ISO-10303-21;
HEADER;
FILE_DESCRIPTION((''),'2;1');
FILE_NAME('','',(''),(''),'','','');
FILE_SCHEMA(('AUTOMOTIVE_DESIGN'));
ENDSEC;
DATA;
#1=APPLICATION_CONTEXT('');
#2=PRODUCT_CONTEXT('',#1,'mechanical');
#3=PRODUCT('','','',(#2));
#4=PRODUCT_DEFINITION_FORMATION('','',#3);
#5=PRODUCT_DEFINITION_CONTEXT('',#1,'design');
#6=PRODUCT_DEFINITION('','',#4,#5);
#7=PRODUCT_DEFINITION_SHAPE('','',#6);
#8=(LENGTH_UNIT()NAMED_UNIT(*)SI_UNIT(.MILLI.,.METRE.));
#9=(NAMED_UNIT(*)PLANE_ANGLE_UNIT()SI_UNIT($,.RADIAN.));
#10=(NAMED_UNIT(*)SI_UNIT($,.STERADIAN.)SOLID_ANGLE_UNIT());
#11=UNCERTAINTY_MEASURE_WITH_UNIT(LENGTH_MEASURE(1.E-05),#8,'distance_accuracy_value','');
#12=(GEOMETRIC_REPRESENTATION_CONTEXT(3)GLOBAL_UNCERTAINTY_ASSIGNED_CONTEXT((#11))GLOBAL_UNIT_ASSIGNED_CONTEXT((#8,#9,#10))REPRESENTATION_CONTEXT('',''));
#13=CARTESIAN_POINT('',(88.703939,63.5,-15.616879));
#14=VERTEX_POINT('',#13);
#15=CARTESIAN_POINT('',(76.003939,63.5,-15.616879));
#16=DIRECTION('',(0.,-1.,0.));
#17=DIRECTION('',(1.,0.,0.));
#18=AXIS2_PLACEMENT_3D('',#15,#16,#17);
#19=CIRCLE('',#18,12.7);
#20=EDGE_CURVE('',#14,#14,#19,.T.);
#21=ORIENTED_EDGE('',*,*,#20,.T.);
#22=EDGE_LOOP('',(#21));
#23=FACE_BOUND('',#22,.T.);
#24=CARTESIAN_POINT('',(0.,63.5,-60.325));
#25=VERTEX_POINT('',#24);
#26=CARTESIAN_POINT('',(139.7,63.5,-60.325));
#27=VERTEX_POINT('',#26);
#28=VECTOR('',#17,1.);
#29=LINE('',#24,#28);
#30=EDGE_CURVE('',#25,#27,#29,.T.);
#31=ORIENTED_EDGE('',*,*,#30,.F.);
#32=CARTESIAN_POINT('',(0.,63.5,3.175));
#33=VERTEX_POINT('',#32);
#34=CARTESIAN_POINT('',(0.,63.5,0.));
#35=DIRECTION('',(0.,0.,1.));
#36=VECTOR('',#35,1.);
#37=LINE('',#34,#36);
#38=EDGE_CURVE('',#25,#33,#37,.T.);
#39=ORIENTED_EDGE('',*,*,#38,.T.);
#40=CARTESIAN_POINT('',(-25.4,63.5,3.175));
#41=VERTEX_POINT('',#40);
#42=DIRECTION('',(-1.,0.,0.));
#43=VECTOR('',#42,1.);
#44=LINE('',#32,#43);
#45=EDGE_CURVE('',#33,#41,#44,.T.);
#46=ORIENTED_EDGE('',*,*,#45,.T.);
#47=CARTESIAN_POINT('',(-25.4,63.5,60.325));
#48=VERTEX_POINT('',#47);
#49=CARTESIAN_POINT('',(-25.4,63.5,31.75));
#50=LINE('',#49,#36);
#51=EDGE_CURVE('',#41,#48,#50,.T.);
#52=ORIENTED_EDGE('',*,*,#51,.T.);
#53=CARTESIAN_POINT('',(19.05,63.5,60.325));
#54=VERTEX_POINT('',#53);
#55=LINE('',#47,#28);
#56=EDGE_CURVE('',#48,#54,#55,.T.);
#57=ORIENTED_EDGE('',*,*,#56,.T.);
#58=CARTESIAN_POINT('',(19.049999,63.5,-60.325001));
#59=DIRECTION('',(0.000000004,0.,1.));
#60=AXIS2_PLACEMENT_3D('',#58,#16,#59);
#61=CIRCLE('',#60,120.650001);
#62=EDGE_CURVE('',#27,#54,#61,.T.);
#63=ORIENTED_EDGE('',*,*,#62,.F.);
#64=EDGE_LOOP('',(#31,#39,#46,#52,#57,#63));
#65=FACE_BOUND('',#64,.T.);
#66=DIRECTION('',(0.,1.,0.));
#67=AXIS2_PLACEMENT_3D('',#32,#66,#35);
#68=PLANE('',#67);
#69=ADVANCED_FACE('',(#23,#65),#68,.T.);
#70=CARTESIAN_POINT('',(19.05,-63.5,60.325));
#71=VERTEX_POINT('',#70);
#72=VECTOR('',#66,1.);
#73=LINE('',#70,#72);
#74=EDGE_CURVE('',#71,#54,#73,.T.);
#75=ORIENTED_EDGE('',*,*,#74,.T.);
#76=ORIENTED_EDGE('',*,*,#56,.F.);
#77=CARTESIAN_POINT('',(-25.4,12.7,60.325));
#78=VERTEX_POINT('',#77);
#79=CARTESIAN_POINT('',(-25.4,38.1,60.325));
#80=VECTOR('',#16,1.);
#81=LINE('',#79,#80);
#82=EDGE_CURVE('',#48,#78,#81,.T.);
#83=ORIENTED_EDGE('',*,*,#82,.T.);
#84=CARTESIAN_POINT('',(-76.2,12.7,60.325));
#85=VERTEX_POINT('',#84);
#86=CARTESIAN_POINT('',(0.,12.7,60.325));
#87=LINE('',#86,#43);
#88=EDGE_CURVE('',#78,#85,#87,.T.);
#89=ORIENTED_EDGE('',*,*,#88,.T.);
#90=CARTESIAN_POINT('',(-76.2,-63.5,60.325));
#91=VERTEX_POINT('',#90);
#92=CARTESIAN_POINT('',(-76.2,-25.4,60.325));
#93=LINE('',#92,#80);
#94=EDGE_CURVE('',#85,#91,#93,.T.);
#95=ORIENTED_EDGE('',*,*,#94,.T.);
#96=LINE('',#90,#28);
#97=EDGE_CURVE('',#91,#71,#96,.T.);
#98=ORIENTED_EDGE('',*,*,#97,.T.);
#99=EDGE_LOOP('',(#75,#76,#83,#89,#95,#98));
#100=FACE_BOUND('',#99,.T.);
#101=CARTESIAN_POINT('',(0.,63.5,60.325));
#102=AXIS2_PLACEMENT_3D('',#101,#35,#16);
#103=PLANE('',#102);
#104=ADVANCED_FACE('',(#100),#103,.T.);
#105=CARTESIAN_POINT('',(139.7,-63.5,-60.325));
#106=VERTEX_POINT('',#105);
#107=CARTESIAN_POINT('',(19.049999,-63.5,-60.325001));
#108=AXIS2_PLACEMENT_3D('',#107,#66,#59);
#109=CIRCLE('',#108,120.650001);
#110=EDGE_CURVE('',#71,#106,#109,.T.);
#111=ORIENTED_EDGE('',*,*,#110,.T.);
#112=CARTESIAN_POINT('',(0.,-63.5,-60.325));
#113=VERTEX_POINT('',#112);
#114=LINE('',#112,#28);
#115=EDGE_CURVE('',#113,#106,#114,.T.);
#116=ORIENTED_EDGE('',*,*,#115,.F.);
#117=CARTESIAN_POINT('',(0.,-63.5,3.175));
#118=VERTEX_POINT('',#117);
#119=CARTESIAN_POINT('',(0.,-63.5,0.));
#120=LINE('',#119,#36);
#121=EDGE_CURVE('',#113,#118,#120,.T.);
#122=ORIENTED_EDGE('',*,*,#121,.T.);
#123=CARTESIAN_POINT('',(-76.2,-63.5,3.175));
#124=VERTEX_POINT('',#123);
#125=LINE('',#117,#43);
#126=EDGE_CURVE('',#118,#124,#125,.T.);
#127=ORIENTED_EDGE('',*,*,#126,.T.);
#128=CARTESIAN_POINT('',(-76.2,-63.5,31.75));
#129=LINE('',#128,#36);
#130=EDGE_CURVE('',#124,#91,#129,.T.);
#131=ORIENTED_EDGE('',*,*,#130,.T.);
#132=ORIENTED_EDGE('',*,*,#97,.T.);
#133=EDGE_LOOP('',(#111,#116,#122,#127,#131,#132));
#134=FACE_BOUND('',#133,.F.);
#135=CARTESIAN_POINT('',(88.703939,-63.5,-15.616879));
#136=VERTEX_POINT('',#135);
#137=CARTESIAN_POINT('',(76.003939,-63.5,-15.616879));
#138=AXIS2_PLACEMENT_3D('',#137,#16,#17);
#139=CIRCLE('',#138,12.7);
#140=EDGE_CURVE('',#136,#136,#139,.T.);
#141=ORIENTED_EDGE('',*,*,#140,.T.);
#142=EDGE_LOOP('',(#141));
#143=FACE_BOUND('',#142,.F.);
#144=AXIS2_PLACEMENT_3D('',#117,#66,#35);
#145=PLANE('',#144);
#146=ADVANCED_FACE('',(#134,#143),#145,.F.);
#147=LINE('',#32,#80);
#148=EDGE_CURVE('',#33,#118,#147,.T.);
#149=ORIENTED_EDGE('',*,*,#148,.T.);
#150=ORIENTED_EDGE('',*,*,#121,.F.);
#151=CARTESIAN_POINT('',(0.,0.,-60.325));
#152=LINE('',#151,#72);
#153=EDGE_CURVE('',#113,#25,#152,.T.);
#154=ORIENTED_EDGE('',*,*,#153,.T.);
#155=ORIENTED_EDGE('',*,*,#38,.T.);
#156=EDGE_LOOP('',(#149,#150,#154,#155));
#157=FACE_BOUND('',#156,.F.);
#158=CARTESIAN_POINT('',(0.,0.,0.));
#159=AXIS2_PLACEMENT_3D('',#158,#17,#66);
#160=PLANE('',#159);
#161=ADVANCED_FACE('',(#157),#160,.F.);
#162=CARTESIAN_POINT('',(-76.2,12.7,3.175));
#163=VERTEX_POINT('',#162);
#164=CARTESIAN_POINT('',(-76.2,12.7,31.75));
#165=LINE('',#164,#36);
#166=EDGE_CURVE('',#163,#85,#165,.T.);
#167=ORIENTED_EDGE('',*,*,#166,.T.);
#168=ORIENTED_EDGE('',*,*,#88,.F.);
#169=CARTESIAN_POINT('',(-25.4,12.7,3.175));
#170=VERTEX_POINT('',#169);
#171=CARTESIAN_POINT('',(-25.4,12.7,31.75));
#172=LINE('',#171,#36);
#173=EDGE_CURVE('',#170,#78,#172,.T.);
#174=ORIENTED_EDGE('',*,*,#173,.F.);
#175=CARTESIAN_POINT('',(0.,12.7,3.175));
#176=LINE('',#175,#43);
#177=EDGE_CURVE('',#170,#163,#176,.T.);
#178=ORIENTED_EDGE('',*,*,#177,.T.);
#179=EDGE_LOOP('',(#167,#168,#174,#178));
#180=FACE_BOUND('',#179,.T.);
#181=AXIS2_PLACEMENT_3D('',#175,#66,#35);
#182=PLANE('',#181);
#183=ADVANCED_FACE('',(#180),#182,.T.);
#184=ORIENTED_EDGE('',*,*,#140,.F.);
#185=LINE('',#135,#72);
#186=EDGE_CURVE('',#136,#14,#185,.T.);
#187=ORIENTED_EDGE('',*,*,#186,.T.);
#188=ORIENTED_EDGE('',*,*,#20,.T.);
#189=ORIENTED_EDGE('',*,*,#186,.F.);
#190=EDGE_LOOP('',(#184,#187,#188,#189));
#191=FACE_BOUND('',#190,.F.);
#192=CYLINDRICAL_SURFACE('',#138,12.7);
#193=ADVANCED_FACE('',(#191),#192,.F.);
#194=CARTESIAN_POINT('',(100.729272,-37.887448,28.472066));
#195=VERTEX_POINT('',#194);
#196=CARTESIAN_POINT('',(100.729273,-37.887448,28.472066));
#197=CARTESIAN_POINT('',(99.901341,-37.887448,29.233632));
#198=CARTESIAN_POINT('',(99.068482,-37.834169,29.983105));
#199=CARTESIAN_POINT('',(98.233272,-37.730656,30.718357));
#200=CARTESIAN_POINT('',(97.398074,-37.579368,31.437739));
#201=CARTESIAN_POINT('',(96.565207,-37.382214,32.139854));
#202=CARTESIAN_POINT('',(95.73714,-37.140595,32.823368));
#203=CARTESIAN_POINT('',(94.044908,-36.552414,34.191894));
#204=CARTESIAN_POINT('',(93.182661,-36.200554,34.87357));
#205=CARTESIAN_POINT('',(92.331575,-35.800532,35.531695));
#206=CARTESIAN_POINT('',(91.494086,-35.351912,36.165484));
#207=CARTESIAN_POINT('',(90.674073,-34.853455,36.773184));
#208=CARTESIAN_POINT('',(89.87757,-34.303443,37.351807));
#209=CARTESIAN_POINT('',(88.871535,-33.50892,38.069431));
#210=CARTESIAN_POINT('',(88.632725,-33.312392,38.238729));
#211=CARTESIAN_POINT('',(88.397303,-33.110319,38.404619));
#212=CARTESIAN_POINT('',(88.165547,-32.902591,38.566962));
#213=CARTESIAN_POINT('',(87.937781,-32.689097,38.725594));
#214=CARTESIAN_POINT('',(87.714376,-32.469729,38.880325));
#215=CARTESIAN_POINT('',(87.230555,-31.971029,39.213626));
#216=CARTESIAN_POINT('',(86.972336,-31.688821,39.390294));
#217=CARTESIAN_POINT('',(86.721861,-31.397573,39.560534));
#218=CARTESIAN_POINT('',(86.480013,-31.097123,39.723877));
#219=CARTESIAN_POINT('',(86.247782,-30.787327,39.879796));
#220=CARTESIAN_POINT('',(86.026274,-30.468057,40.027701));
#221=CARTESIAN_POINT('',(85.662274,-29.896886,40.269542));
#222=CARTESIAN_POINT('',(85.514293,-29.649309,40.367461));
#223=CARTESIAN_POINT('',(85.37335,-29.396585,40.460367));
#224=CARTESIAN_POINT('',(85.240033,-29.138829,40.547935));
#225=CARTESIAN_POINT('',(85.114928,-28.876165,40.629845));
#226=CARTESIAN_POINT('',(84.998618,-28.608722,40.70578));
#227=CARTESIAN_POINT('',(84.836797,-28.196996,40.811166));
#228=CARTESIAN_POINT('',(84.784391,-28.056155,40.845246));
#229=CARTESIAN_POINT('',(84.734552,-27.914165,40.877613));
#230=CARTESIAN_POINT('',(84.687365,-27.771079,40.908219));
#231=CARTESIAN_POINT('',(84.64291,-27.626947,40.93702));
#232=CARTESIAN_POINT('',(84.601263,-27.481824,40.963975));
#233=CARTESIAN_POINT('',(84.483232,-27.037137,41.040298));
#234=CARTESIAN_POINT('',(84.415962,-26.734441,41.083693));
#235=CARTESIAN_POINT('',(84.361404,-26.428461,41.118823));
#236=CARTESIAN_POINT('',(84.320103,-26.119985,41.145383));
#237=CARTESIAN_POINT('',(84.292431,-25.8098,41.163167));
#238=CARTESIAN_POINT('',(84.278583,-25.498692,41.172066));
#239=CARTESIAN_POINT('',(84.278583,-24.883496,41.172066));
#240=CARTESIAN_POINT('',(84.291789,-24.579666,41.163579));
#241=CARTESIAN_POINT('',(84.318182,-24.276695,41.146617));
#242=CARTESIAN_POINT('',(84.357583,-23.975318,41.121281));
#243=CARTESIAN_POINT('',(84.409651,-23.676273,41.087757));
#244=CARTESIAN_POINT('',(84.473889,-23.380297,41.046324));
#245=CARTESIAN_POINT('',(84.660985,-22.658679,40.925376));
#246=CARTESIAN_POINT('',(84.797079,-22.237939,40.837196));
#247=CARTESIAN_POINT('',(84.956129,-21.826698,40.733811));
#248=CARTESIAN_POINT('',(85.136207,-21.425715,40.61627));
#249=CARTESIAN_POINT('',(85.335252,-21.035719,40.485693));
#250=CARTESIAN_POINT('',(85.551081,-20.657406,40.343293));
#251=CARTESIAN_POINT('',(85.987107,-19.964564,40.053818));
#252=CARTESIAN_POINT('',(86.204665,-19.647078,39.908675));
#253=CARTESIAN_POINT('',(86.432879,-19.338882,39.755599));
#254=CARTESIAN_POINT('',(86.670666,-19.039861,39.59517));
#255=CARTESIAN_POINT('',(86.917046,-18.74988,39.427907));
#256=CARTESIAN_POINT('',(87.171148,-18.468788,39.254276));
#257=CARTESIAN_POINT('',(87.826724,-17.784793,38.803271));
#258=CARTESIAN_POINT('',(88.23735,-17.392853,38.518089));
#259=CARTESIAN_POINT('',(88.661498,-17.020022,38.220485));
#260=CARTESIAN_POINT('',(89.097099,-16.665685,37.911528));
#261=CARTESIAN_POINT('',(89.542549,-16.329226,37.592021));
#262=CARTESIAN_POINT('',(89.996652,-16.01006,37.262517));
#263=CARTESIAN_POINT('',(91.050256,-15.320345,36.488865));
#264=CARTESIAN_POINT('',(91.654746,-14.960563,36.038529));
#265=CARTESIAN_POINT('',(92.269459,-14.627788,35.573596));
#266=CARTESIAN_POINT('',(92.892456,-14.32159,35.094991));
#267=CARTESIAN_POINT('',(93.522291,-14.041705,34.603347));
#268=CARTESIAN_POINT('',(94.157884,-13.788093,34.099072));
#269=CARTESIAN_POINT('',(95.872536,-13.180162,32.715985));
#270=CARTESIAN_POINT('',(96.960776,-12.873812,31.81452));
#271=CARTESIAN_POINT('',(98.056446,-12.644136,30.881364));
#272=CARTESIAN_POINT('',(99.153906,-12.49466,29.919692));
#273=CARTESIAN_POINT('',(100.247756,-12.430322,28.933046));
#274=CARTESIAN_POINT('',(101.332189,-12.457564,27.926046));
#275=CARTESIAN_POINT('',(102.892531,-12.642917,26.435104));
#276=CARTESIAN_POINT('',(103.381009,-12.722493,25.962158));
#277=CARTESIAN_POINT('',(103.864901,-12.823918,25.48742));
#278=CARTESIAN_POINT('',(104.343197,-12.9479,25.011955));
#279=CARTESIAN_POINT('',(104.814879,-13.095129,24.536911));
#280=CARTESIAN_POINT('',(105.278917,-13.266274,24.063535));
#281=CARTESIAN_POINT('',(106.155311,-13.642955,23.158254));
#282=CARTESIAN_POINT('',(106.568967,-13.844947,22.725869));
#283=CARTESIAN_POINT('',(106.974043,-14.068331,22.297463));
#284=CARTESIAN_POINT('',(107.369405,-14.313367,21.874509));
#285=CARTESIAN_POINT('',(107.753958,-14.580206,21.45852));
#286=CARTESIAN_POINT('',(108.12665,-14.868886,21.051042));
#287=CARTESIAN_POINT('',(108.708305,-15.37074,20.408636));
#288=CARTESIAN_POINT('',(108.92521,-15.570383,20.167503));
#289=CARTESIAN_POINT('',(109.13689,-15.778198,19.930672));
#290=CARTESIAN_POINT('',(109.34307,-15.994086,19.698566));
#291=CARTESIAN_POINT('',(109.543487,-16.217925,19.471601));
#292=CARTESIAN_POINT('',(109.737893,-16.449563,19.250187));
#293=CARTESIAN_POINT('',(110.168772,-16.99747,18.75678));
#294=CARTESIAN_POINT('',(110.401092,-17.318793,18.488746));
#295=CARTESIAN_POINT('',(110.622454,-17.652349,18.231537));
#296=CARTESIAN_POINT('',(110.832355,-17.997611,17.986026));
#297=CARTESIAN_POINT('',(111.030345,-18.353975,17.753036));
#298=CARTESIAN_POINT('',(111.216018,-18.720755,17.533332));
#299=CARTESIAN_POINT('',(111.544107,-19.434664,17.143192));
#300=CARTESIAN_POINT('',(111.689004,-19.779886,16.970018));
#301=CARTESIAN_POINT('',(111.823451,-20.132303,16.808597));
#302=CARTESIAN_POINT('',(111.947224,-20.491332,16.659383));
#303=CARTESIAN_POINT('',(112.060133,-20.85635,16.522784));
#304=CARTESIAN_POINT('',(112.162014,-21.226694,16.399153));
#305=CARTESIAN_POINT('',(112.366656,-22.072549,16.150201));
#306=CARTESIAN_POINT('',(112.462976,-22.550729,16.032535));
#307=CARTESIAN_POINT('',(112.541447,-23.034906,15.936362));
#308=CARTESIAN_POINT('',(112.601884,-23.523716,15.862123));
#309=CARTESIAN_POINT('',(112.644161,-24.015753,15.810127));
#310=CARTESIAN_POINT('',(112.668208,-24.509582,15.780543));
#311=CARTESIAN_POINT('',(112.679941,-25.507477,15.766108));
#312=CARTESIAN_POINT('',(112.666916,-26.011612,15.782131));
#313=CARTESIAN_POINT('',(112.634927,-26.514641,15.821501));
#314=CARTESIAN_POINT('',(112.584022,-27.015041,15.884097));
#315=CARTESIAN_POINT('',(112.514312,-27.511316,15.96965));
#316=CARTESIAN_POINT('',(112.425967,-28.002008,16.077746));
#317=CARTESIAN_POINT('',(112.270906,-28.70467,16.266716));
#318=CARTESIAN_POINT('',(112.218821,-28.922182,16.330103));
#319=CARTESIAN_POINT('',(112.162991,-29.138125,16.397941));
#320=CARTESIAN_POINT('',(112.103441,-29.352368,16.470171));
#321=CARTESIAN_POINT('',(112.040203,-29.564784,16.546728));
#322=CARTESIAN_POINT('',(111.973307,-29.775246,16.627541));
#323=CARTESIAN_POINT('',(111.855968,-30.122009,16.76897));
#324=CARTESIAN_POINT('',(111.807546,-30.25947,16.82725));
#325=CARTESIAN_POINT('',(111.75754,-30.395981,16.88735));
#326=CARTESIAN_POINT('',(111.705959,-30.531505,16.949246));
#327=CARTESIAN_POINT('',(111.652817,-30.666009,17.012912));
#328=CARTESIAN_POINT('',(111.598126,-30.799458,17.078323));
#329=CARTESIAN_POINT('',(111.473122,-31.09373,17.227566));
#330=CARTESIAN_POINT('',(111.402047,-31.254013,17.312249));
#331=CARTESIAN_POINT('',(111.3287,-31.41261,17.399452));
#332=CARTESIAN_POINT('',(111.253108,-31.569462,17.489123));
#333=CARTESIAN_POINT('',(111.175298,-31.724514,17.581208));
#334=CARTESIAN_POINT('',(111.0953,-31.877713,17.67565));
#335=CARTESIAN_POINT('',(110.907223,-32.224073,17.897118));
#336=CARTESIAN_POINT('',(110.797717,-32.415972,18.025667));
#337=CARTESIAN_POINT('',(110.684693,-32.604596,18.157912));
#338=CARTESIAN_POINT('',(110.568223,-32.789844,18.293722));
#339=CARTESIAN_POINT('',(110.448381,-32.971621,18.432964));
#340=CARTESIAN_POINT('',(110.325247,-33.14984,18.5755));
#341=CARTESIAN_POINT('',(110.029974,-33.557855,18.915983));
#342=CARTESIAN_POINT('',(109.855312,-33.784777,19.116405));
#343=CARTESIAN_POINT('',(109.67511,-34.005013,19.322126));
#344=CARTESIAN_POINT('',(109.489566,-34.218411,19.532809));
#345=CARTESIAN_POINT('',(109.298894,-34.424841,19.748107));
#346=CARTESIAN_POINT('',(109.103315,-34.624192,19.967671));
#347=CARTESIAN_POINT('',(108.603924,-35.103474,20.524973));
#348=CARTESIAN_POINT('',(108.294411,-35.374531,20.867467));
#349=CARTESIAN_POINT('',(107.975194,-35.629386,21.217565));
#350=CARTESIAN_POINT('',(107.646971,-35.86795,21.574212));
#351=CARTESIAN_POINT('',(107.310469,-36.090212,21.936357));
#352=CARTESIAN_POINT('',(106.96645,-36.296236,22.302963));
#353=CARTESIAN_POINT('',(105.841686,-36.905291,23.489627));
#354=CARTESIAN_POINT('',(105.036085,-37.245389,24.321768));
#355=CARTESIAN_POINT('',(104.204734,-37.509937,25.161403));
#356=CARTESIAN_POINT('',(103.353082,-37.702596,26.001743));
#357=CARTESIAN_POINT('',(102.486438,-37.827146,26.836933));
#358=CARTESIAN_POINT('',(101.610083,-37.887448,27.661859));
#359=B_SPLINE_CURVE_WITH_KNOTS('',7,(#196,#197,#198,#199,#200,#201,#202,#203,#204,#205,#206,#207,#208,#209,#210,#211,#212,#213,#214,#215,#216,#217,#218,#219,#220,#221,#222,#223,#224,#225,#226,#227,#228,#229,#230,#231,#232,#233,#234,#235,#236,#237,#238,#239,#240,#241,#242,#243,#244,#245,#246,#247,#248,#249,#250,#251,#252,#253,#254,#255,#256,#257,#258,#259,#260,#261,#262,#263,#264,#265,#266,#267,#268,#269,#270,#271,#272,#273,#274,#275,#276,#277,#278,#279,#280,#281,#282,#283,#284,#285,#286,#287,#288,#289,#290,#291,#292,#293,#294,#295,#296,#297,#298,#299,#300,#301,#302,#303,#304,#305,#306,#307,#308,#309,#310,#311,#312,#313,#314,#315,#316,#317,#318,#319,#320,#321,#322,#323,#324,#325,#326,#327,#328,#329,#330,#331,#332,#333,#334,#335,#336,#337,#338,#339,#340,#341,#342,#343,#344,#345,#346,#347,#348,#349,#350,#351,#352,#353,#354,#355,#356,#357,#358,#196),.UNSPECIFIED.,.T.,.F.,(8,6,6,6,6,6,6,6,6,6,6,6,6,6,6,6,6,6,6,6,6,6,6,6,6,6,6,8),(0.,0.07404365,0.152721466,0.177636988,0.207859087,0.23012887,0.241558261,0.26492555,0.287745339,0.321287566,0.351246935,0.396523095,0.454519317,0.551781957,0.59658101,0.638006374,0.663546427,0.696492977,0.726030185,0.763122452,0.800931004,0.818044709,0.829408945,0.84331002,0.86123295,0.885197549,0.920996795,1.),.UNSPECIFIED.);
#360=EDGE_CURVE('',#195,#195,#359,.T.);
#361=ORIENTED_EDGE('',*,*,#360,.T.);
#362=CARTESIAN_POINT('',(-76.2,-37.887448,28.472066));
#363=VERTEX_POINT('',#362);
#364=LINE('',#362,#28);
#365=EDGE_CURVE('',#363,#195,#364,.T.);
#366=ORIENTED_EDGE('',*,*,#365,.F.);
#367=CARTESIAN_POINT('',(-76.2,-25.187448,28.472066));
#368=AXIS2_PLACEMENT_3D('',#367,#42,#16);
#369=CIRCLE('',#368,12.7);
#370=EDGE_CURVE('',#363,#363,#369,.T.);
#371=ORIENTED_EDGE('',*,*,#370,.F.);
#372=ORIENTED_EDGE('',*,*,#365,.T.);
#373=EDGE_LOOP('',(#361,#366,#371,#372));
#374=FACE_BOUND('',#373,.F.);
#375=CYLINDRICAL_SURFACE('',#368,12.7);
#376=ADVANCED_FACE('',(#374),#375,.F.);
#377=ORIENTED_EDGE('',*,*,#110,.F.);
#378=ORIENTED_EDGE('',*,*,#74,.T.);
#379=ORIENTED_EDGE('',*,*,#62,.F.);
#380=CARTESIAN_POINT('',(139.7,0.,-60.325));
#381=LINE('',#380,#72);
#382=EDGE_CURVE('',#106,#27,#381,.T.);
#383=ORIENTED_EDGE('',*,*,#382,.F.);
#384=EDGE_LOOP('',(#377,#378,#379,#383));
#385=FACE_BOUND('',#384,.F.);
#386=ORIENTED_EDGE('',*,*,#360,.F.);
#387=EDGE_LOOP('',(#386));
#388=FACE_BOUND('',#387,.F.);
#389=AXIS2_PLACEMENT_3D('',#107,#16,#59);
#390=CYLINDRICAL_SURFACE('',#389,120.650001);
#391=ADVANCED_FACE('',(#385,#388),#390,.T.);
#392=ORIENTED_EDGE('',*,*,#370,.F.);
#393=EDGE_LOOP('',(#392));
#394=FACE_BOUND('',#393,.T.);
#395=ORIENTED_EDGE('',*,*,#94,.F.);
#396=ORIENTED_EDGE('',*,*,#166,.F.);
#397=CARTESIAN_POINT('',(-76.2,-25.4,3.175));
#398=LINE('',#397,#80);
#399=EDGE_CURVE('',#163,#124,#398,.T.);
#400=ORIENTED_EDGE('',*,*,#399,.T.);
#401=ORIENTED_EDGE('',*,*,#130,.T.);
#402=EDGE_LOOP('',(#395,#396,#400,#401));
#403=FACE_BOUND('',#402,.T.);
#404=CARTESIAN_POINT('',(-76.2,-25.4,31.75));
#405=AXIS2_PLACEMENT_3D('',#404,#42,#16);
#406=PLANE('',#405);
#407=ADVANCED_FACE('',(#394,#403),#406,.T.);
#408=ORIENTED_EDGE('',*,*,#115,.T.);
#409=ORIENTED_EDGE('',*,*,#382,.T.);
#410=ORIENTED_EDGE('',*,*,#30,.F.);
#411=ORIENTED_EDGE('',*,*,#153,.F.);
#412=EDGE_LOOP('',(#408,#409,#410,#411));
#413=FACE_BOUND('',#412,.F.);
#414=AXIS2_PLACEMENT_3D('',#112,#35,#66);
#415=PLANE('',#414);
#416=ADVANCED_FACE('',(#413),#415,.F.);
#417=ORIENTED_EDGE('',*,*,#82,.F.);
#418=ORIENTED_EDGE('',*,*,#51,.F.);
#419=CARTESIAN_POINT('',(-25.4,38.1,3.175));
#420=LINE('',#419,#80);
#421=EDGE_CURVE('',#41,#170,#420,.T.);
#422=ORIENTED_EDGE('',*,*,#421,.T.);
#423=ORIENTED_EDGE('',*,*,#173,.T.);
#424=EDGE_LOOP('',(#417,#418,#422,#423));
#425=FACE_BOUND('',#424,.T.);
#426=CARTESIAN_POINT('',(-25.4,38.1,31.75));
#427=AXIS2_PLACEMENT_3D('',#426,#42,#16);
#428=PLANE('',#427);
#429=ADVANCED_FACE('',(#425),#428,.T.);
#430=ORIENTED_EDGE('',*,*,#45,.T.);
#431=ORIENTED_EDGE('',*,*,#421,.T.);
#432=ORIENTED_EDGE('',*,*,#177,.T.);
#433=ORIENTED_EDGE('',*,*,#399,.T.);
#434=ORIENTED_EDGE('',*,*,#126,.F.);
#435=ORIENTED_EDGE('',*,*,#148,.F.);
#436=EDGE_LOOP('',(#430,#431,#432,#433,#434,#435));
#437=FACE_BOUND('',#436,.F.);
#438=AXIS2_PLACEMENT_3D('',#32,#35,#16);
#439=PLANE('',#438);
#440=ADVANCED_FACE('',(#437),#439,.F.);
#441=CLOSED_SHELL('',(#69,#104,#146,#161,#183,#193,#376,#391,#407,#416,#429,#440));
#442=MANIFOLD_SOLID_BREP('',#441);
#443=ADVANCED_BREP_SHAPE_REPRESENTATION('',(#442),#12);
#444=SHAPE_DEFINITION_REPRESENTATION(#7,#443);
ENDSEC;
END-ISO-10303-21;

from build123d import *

# Parameters (mm, degrees)
F0_W      = 127
F0_H      = 120.65
F1_DEPTH  = 139.7
F2_W      = 76.2
F2_H      = 57.15
F3_DEPTH  = 76.2
F5_DEPTH  = 127.001
F6_W      = 50.8
F6_H      = 57.15
F7_DEPTH  = 25.4
F9_R      = 12.7
F10_DEPTH = 215.901
F11_R     = 12.7
F12_DEPTH = 127.001


with BuildPart() as f1:
    # F0 (on Right) → F1 (new body)
    with BuildSketch(Plane.YZ):
        Rectangle(F0_W, F0_H)
    extrude(amount=F1_DEPTH)

    # F2 (on face) → F3 (join)
    with BuildSketch(Plane(origin=(0, 0, 0), x_dir=(0, -1, 0), z_dir=(-1, 0, 0))):
        with Locations((25.4, 31.75)):
            Rectangle(F2_W, F2_H)
    extrude(amount=F3_DEPTH)

    # F4 (on face) → F5 (cut, through all)
    with BuildSketch(Plane.XZ.offset(63.5)):
        with BuildLine():
            ThreePointArc((19.05, 60.325), (104.362433, 24.987433), (139.7, -60.325))
            Line((139.7, -60.325), (139.7, 60.325))
            Line((139.7, 60.325), (19.05, 60.325))
        make_face()
    extrude(amount=-F5_DEPTH, mode=Mode.SUBTRACT)

    # F6 (on face) → F7 (join)
    with BuildSketch(Plane(origin=(0, 0, 0), x_dir=(0, -1, 0), z_dir=(-1, 0, 0))):
        with Locations((-38.1, 31.75)):
            Rectangle(F6_W, F6_H)
    extrude(amount=F7_DEPTH)

    # F9 (on face) → F10 (cut, through all)
    with BuildSketch(Plane(origin=(-76.2, 0, 0), x_dir=(0, -1, 0), z_dir=(-1, 0, 0))):
        with Locations((25.187448, 28.472066)):
            Circle(F9_R)
    extrude(amount=-F10_DEPTH, mode=Mode.SUBTRACT)

    # F11 (on face) → F12 (cut, through all)
    with BuildSketch(Plane.XZ.offset(63.5)):
        with Locations((76.003939, -15.616879)):
            Circle(F11_R)
    extrude(amount=-F12_DEPTH, mode=Mode.SUBTRACT)


solid = f1.part
